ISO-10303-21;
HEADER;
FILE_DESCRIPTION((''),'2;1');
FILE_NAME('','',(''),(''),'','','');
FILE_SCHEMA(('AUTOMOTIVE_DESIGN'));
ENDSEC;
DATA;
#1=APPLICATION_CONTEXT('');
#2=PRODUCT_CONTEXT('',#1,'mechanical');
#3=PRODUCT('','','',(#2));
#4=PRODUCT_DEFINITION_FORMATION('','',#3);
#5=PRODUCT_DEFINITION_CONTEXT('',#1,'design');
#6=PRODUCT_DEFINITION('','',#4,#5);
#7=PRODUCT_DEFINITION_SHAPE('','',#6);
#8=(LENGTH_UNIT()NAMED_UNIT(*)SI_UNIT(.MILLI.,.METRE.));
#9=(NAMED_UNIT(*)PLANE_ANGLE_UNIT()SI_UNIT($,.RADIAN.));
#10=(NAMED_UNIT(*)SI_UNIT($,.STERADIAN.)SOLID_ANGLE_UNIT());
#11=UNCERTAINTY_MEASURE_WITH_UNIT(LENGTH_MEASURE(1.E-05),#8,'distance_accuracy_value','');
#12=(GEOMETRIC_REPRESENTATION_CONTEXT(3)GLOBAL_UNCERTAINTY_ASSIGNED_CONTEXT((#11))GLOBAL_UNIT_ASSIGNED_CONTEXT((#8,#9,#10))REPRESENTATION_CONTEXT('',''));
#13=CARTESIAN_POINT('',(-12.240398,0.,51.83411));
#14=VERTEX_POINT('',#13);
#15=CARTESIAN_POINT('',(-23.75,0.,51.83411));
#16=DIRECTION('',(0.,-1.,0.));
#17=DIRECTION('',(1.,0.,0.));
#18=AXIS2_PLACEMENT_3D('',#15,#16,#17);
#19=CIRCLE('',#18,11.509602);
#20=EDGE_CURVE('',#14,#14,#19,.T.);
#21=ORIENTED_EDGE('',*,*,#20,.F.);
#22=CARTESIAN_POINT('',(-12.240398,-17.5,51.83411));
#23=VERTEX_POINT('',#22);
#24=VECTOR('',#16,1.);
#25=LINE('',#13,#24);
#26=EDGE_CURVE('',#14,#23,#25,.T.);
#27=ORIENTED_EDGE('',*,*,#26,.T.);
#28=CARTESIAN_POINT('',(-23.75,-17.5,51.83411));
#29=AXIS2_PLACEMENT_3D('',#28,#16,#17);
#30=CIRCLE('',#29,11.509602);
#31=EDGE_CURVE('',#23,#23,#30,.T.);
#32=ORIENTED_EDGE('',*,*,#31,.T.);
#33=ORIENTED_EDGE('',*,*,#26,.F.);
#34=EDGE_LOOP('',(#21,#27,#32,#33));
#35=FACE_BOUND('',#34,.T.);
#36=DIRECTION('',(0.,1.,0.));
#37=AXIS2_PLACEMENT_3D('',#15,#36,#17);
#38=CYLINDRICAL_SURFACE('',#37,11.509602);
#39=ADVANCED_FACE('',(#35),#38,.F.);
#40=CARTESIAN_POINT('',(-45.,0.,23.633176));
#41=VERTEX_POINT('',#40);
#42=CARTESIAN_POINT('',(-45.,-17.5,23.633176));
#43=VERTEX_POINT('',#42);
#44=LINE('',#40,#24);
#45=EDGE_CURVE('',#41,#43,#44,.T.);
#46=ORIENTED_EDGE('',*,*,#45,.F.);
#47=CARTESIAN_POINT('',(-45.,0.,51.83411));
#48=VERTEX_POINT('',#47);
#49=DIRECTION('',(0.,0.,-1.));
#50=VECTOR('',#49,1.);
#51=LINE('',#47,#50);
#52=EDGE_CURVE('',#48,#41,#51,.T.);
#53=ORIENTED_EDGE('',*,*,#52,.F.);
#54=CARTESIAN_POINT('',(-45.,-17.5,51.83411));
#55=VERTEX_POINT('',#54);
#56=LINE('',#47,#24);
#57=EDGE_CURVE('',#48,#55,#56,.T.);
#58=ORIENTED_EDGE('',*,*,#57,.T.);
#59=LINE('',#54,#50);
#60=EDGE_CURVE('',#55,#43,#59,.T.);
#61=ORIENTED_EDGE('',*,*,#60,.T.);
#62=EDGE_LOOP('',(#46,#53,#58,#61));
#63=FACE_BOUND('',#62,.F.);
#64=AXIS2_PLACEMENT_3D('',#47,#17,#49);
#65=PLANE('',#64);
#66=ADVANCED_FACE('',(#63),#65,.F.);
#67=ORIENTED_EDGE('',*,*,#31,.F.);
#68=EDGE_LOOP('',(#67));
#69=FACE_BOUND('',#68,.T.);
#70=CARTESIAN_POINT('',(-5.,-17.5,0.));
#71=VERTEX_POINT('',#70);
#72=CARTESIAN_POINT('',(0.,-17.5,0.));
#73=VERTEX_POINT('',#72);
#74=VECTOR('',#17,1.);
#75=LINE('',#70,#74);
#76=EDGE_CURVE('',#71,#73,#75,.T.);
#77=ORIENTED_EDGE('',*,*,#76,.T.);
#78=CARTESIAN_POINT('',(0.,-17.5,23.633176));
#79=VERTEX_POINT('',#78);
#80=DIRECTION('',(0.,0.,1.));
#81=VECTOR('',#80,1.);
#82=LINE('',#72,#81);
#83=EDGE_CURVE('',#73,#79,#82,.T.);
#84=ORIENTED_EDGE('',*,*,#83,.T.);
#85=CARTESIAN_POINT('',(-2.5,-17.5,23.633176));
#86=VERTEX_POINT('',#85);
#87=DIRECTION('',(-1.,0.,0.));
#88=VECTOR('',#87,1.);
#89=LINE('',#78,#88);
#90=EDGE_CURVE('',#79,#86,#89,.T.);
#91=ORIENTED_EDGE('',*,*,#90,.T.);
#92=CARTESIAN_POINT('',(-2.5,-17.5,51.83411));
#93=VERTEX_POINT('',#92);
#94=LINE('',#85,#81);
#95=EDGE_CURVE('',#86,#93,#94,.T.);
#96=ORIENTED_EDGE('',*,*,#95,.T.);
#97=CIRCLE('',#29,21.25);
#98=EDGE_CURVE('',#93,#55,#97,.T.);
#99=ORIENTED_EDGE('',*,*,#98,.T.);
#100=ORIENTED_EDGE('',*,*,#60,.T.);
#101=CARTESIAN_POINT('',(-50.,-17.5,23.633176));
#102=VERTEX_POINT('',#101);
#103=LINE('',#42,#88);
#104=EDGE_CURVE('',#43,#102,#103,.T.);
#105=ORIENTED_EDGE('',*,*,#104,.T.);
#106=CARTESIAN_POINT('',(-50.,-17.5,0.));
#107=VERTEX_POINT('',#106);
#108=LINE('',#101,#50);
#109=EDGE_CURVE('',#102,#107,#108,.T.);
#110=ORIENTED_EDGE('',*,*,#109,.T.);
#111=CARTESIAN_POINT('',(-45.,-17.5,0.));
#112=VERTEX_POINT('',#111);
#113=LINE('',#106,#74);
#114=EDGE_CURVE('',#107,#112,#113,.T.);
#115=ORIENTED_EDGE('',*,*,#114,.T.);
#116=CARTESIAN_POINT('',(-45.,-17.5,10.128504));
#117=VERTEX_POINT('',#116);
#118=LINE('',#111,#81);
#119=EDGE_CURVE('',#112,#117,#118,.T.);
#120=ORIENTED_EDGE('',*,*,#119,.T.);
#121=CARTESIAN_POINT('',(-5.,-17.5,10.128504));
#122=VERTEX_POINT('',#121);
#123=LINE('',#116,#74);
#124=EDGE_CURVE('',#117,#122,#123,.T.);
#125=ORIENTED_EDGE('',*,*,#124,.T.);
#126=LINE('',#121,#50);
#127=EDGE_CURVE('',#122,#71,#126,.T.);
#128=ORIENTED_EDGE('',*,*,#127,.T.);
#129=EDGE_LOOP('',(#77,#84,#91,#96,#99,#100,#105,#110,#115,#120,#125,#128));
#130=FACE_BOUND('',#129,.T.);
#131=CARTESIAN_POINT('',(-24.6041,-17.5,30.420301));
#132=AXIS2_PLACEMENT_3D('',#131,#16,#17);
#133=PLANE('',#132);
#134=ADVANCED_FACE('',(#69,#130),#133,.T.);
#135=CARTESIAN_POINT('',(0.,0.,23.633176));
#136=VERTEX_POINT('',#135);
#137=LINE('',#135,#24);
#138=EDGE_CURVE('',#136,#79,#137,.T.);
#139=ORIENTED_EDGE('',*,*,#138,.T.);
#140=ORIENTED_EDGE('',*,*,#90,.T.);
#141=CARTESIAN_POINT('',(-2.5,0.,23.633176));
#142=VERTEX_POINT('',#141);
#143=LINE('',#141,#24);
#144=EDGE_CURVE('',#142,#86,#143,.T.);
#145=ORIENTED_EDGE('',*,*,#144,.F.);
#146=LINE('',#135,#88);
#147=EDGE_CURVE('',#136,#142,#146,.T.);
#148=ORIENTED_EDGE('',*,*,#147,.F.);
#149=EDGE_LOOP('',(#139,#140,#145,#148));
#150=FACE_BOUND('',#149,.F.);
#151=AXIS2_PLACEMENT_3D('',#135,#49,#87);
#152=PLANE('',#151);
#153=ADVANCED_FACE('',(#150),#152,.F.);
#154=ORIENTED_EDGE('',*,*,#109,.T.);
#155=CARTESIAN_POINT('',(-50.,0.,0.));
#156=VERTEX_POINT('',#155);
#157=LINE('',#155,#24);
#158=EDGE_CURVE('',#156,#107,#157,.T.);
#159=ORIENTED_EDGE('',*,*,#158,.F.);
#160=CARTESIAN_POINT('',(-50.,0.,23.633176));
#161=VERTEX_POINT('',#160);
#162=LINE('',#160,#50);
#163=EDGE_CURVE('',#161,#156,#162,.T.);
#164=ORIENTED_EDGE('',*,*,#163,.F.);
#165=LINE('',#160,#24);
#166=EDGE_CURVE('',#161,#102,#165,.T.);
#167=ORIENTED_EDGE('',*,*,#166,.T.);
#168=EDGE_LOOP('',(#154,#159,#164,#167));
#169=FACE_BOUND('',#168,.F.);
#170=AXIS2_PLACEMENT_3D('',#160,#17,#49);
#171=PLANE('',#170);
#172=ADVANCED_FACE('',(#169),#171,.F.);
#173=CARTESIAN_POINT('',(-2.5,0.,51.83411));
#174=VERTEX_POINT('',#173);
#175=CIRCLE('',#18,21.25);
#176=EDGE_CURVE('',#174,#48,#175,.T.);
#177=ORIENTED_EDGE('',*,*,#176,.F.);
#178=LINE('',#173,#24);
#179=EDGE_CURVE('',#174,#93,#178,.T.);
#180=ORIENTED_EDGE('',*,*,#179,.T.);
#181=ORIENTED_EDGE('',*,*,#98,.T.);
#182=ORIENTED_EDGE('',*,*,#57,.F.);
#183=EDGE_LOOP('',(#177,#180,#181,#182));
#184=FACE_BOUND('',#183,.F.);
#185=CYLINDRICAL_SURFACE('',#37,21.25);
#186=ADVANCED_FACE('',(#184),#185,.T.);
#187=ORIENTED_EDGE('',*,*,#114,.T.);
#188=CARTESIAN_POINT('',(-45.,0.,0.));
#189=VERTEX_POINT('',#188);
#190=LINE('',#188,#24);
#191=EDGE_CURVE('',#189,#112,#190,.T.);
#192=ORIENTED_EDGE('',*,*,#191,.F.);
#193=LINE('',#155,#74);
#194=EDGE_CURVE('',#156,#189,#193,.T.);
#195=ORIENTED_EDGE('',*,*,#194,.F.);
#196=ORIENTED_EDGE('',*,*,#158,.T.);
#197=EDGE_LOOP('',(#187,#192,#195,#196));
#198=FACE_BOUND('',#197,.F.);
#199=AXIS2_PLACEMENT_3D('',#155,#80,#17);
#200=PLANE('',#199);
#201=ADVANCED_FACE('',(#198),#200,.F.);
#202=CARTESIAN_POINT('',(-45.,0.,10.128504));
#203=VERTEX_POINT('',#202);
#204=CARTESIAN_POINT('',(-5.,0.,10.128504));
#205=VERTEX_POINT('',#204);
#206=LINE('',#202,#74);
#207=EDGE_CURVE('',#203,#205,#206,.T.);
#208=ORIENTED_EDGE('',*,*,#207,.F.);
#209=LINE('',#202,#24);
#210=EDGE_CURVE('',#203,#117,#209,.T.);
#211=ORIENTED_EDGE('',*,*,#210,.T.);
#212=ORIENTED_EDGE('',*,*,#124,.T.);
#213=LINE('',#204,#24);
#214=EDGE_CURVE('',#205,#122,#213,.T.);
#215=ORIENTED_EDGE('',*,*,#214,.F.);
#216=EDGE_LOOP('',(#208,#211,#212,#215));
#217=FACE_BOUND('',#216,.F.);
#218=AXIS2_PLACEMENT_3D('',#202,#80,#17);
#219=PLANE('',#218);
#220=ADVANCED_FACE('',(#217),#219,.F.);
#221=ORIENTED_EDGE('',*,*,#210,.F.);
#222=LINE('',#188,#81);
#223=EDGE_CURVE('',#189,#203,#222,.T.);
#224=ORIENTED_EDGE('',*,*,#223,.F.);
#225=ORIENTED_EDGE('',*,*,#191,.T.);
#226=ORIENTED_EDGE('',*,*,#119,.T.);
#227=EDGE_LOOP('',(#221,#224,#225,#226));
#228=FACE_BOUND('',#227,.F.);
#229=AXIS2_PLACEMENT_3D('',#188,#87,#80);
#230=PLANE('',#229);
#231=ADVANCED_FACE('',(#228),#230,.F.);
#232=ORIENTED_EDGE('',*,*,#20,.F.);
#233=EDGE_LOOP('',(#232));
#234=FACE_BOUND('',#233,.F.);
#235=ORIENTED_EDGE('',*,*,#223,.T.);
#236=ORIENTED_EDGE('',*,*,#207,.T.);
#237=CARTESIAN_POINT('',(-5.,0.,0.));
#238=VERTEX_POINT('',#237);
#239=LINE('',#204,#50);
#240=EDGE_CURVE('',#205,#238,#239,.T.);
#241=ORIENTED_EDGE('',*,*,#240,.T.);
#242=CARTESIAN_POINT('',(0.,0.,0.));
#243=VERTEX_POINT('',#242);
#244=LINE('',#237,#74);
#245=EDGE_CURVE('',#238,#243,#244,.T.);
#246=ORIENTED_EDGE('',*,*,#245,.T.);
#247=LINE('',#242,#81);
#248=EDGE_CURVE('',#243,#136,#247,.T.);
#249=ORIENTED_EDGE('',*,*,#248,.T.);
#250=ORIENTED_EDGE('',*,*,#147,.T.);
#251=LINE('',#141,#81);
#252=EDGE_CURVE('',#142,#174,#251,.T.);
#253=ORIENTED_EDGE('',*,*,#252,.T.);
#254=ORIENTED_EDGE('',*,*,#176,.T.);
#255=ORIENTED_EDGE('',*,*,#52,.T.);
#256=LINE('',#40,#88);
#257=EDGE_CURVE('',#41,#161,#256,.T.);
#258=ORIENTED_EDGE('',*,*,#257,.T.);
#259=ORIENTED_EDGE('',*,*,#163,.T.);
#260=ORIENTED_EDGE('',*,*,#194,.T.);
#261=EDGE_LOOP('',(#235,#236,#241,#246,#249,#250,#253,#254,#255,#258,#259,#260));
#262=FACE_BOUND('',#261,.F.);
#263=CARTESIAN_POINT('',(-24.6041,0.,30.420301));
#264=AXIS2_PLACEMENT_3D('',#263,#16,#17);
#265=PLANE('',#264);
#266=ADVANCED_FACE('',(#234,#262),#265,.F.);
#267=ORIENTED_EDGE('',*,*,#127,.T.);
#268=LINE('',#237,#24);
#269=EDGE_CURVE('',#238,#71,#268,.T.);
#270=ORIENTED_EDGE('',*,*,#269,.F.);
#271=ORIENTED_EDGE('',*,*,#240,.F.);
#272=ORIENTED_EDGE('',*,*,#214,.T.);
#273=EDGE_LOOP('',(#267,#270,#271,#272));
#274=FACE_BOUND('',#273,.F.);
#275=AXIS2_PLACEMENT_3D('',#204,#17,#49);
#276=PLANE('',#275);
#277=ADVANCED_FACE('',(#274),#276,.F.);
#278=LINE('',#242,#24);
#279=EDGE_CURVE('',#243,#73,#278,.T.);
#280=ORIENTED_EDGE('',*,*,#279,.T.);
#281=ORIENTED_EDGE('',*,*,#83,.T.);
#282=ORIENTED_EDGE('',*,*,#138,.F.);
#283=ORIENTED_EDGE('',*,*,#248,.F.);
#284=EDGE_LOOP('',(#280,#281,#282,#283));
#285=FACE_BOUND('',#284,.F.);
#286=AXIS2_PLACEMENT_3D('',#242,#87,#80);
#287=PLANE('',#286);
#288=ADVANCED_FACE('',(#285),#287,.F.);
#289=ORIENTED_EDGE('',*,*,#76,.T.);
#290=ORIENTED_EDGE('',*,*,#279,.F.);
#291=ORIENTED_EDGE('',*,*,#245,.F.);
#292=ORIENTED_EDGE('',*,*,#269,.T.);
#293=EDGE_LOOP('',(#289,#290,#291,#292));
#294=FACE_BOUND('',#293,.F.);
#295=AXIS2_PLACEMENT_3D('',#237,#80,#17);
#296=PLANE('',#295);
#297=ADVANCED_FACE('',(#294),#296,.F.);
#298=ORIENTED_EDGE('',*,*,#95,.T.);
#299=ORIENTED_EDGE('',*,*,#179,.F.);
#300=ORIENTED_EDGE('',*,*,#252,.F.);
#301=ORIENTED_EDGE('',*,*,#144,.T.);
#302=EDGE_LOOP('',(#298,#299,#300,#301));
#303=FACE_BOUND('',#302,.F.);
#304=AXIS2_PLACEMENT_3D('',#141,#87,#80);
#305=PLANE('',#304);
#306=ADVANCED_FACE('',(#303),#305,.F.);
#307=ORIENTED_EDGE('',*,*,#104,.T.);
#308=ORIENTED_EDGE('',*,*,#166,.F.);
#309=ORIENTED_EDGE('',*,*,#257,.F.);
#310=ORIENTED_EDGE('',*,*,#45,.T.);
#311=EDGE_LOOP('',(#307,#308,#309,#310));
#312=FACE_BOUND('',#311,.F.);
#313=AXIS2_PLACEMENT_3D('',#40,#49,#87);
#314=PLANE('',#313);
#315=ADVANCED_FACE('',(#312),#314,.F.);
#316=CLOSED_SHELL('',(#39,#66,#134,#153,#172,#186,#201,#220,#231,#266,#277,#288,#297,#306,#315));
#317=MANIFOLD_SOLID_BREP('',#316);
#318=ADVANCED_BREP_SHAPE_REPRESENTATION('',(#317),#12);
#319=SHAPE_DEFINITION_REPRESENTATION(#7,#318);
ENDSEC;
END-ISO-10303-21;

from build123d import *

# Parameters (mm, degrees)
F0_R     = 11.509602
F1_DEPTH = 17.5


with BuildPart() as f1:
    # F0 (on Front) → F1 (new body)
    with BuildSketch(Plane.XZ):
        with BuildLine():
            Line((-5, 0), (0, 0))
            Line((0, 0), (0, 23.633176))
            Line((0, 23.633176), (-2.5, 23.633176))
            Line((-2.5, 23.633176), (-2.5, 51.83411))
            ThreePointArc((-2.5, 51.83411), (-23.75, 73.08411), (-45, 51.83411))
            Line((-45, 51.83411), (-45, 23.633176))
            Line((-45, 23.633176), (-50, 23.633176))
            Line((-50, 23.633176), (-50, 0))
            Line((-50, 0), (-45, 0))
            Line((-45, 0), (-45, 10.128504))
            Line((-45, 10.128504), (-5, 10.128504))
            Line((-5, 10.128504), (-5, 0))
        make_face()
        with Locations((-23.75, 51.83411)):
            Circle(F0_R, mode=Mode.SUBTRACT)
    extrude(amount=F1_DEPTH)


solid = f1.part
